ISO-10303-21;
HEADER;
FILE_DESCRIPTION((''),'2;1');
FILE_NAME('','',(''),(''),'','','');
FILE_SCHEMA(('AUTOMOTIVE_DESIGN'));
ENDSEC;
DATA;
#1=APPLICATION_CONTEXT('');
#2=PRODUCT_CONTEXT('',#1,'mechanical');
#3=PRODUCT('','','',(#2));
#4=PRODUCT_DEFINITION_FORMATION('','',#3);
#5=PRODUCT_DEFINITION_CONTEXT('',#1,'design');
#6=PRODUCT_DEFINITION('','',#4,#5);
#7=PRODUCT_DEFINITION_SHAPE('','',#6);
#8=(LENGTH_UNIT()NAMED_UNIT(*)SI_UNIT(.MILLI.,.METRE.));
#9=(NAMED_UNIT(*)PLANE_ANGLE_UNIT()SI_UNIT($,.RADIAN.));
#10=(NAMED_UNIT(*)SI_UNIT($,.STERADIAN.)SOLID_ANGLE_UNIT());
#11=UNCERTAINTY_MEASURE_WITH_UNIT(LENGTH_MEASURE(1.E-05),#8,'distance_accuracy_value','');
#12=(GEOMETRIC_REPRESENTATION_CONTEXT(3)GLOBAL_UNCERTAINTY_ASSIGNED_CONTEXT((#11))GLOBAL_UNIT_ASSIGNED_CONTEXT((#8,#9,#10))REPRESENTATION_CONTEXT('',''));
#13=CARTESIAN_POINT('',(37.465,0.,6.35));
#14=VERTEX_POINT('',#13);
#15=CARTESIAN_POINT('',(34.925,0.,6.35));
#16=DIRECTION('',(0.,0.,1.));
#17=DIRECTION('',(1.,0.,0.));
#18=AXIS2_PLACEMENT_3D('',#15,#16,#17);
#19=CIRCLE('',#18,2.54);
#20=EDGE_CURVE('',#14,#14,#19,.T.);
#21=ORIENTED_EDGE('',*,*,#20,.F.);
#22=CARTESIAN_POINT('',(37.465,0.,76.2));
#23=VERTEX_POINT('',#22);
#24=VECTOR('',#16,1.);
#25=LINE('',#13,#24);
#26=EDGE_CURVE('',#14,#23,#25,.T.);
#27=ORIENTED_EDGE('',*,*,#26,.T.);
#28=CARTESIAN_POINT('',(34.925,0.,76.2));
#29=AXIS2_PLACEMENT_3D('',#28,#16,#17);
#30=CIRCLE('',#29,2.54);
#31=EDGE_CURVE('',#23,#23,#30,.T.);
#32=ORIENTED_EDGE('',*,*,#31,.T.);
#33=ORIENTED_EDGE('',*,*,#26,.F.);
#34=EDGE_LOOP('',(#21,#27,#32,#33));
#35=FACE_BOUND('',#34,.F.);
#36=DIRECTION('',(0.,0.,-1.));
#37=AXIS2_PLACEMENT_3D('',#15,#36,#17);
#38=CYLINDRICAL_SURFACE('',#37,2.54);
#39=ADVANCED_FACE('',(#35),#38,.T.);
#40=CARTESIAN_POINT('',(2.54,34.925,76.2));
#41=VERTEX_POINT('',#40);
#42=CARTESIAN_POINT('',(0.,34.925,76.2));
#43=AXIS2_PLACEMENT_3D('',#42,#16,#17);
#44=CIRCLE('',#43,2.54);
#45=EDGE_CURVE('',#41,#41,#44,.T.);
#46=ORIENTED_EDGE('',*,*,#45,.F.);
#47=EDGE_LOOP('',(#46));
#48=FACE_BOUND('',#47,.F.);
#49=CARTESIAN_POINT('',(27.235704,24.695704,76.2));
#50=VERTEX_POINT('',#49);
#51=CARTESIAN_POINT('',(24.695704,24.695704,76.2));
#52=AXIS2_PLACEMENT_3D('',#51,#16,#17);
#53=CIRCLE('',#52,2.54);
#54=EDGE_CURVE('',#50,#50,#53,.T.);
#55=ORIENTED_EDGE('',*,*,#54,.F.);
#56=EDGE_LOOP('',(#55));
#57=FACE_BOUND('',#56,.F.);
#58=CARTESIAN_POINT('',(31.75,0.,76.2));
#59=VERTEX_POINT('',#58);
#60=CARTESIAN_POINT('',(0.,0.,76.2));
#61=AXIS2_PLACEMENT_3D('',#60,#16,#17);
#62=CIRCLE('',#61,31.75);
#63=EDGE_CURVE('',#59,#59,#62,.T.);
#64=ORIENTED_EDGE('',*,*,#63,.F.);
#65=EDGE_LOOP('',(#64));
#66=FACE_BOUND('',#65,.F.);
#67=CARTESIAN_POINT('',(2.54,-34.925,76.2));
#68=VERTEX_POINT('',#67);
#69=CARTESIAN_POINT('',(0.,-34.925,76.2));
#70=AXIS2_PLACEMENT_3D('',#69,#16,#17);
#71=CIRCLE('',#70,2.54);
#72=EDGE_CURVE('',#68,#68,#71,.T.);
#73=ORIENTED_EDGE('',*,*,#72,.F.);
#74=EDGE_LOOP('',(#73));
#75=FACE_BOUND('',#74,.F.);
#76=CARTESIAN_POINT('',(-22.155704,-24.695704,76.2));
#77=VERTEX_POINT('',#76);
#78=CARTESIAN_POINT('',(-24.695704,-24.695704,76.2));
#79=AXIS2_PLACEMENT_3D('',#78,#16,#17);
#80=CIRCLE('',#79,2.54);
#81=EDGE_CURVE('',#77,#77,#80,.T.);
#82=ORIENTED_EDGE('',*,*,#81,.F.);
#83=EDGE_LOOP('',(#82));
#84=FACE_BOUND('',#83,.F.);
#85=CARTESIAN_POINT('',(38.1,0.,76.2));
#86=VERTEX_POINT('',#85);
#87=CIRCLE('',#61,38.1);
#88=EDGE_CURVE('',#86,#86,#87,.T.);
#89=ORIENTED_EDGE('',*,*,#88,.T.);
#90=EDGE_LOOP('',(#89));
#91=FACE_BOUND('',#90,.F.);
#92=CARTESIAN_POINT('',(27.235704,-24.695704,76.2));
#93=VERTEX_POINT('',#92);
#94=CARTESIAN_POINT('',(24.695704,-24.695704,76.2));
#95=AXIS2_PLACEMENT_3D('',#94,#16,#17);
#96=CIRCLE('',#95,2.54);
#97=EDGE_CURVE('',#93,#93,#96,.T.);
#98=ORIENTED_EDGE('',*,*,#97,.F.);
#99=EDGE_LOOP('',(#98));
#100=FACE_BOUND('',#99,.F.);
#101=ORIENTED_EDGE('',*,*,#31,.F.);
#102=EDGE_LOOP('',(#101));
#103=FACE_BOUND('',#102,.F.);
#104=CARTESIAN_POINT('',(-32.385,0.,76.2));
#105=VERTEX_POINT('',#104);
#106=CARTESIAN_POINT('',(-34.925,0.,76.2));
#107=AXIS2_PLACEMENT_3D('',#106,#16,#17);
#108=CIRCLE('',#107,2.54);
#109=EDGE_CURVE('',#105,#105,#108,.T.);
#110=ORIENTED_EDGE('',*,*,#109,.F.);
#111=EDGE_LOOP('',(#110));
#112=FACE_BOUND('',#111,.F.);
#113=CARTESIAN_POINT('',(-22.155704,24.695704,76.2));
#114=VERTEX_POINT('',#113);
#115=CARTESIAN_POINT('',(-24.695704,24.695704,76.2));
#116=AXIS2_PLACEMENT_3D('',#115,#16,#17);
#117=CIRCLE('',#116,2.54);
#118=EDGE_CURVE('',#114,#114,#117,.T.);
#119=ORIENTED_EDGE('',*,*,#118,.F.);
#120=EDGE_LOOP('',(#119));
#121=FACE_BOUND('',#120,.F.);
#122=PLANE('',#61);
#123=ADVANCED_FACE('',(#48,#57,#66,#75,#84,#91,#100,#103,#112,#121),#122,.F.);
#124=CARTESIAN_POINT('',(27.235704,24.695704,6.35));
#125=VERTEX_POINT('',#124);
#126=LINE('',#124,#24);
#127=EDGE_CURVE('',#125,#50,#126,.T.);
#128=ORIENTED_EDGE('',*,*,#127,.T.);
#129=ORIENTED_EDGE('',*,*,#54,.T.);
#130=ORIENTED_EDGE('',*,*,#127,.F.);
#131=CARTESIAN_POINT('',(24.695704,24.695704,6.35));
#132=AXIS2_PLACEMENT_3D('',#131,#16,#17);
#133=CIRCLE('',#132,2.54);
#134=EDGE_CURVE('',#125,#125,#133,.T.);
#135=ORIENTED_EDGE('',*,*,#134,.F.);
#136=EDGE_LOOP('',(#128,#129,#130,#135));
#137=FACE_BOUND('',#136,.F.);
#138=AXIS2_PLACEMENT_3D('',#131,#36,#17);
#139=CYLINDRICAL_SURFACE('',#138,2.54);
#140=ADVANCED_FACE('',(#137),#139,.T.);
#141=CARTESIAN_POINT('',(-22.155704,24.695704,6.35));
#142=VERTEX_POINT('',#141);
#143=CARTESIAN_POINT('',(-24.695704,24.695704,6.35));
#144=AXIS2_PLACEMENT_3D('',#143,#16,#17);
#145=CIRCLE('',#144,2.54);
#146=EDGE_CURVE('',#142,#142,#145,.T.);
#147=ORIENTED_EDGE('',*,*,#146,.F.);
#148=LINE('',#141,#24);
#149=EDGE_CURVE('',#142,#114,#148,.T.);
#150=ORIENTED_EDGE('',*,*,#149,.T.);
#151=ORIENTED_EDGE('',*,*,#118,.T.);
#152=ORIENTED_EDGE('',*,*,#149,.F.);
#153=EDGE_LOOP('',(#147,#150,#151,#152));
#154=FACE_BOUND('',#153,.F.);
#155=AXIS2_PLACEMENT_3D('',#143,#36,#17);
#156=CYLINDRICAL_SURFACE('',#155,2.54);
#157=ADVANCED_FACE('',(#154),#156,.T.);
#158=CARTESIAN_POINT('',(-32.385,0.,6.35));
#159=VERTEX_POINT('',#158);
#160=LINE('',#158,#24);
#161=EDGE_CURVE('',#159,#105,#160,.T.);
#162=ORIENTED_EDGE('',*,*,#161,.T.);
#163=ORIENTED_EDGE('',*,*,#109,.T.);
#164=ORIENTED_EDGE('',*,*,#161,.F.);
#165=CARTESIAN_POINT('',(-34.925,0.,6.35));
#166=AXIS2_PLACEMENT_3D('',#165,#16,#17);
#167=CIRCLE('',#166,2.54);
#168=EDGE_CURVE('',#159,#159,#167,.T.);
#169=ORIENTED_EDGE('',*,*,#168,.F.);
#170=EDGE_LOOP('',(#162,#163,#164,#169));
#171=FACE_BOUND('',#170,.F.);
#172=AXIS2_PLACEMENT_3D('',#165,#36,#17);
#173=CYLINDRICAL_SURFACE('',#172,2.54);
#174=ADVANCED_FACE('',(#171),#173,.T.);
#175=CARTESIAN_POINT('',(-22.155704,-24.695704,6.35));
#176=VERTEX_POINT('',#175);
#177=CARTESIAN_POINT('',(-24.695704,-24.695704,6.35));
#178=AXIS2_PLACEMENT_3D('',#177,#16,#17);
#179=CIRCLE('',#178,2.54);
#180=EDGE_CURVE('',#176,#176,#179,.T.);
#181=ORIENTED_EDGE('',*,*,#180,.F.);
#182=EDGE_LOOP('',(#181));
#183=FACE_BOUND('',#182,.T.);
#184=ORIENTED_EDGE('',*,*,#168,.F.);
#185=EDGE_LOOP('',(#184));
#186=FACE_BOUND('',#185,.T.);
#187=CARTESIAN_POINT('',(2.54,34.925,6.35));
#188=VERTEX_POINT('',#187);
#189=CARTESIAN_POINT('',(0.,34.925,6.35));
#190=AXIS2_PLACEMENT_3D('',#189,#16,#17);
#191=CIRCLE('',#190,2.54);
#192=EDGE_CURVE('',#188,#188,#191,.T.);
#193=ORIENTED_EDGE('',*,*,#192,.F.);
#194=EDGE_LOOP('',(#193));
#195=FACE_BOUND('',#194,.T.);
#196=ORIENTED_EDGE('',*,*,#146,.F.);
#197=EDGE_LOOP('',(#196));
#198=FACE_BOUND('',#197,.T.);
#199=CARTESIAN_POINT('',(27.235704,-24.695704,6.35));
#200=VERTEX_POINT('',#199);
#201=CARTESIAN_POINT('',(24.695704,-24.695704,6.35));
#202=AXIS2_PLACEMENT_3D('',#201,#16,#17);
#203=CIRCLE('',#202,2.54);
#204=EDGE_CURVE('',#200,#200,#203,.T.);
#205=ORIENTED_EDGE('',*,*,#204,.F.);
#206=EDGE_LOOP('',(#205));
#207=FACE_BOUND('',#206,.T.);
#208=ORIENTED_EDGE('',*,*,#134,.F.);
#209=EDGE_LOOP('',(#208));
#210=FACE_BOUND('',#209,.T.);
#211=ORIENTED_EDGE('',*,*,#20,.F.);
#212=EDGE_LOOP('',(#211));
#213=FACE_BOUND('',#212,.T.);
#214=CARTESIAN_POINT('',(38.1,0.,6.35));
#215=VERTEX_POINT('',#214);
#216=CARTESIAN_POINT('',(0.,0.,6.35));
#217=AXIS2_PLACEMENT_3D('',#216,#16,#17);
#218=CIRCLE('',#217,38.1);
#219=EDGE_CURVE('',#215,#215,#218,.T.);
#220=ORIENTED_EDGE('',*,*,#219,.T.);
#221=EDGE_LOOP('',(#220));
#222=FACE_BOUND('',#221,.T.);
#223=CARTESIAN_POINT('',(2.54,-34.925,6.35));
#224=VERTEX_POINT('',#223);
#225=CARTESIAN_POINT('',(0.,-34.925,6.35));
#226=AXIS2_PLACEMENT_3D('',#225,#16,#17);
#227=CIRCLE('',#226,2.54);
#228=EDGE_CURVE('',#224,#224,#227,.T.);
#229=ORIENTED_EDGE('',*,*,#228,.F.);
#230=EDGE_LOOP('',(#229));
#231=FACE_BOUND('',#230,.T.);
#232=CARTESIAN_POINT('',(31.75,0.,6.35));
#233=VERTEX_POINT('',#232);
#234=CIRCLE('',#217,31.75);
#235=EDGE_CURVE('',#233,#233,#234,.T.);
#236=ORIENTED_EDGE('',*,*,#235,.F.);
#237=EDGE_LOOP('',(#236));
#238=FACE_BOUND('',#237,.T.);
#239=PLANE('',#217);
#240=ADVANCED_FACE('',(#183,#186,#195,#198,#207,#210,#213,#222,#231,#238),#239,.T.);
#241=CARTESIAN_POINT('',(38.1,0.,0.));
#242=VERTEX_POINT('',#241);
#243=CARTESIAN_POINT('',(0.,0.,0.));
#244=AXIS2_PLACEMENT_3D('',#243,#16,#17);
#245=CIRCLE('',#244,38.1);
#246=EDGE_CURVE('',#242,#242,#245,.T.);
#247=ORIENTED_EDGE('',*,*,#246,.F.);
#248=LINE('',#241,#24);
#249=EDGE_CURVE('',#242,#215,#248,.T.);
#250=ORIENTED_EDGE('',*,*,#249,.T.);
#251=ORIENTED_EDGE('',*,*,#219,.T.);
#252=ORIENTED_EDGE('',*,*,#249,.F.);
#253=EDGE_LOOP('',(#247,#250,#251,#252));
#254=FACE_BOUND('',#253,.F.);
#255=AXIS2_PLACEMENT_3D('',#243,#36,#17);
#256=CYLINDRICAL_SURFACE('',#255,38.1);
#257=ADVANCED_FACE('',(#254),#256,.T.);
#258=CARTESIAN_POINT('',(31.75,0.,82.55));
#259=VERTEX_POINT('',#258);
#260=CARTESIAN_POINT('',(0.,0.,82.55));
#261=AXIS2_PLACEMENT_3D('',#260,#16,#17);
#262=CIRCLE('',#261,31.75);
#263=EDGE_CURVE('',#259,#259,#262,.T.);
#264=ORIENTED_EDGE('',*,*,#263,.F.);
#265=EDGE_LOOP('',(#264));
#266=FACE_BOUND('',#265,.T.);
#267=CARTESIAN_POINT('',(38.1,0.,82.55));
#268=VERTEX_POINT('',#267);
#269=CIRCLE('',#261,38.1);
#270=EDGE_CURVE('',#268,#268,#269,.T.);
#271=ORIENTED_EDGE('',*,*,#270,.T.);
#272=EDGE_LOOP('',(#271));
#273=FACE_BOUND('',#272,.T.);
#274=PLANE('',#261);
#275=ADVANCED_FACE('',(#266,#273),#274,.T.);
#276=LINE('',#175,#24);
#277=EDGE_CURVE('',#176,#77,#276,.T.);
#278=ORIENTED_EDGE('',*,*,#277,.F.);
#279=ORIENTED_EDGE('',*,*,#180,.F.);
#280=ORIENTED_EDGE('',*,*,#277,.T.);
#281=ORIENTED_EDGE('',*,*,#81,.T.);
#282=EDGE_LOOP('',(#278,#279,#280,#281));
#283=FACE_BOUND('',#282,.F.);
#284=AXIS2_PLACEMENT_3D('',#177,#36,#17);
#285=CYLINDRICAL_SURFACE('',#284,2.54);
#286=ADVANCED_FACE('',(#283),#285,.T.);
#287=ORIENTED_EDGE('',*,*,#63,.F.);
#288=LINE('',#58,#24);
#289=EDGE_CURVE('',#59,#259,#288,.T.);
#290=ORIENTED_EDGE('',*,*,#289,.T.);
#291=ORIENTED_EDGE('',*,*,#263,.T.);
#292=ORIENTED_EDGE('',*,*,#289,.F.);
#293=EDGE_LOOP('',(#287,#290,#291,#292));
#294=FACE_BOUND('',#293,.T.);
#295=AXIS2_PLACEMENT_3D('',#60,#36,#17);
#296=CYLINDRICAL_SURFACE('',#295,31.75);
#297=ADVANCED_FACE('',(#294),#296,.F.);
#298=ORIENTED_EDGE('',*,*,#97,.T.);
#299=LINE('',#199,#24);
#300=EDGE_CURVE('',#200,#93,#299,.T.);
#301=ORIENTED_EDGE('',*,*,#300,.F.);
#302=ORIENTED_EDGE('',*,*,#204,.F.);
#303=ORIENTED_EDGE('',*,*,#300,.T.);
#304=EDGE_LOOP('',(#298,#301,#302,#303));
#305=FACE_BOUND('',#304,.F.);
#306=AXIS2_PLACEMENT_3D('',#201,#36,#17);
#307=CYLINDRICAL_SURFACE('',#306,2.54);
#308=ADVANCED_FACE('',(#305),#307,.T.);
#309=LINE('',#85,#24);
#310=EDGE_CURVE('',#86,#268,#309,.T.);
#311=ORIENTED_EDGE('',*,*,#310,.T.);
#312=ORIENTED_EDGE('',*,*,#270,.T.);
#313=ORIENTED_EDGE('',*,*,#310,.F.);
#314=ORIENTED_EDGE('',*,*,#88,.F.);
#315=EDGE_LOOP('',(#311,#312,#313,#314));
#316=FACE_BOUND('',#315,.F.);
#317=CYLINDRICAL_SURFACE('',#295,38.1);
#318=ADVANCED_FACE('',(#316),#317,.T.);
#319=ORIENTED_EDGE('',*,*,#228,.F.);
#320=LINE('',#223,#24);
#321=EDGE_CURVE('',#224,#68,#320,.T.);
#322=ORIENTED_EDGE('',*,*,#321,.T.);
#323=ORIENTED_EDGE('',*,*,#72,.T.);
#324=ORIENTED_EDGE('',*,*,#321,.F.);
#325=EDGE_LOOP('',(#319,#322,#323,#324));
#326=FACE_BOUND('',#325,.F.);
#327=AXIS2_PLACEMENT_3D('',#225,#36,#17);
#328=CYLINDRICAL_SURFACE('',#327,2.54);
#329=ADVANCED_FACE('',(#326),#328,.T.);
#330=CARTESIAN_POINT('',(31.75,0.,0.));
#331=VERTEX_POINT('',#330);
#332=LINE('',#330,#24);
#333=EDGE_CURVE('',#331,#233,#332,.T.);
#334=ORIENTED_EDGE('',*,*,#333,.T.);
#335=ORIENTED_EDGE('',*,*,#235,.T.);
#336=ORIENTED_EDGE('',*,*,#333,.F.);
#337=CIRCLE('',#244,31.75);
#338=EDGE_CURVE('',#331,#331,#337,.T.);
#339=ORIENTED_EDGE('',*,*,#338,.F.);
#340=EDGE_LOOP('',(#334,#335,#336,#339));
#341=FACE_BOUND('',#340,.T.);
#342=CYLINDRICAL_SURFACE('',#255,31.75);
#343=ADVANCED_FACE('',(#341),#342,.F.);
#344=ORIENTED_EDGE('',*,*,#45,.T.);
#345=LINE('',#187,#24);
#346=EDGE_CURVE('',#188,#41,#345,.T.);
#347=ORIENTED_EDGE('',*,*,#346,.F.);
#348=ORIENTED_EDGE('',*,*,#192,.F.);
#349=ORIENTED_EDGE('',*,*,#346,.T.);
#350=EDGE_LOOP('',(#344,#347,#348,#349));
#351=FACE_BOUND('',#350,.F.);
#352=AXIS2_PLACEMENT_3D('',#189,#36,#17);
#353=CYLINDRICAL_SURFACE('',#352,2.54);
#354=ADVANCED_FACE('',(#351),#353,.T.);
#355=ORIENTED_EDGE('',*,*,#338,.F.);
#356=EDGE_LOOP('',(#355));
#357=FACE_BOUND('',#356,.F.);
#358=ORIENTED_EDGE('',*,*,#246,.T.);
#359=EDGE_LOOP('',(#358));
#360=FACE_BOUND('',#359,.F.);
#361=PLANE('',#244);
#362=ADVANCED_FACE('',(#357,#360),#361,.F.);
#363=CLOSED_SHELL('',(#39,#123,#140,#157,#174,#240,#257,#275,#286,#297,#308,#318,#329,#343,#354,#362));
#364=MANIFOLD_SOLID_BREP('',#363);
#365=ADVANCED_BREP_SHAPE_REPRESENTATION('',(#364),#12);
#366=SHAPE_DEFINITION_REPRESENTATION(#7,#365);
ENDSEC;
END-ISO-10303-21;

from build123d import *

# Parameters (mm, degrees)
F0_R     = 38.1
F0_R_2   = 31.75
F1_DEPTH = 6.35
F2_R     = 2.54
F3_DEPTH = 69.85
F4_R     = 38.1
F4_R_2   = 31.75
F4_R_3   = 2.54
F5_DEPTH = 6.35


with BuildPart() as f1:
    # F0 (on Top) → F1 (new body)
    with BuildSketch(Plane.XY):
        Circle(F0_R)
        Circle(F0_R_2, mode=Mode.SUBTRACT)
    extrude(amount=F1_DEPTH)

    # F2 (on face) → F3 (join)
    with BuildSketch(Plane.XY.offset(6.35)):
        with Locations((24.695704, 24.695704)):
            Circle(F2_R)
        with Locations((34.925, 0)):
            Circle(F2_R)
        with Locations((24.695704, -24.695704)):
            Circle(F2_R)
        with Locations((0, -34.925)):
            Circle(F2_R)
        with Locations((-24.695704, -24.695704)):
            Circle(F2_R)
        with Locations((-34.925, 0)):
            Circle(F2_R)
        with Locations((-24.695704, 24.695704)):
            Circle(F2_R)
        with Locations((0, 34.925)):
            Circle(F2_R)
    extrude(amount=F3_DEPTH)

    # F4 (on face) → F5 (join)
    with BuildSketch(Plane.XY.offset(76.2)):
        Circle(F4_R)
        Circle(F4_R_2, mode=Mode.SUBTRACT)
        with Locations((0, 34.925)):
            Circle(F4_R_3, mode=Mode.SUBTRACT)
        with Locations((0, 34.925)):
            Circle(F4_R_3)
    extrude(amount=F5_DEPTH)


solid = f1.part
